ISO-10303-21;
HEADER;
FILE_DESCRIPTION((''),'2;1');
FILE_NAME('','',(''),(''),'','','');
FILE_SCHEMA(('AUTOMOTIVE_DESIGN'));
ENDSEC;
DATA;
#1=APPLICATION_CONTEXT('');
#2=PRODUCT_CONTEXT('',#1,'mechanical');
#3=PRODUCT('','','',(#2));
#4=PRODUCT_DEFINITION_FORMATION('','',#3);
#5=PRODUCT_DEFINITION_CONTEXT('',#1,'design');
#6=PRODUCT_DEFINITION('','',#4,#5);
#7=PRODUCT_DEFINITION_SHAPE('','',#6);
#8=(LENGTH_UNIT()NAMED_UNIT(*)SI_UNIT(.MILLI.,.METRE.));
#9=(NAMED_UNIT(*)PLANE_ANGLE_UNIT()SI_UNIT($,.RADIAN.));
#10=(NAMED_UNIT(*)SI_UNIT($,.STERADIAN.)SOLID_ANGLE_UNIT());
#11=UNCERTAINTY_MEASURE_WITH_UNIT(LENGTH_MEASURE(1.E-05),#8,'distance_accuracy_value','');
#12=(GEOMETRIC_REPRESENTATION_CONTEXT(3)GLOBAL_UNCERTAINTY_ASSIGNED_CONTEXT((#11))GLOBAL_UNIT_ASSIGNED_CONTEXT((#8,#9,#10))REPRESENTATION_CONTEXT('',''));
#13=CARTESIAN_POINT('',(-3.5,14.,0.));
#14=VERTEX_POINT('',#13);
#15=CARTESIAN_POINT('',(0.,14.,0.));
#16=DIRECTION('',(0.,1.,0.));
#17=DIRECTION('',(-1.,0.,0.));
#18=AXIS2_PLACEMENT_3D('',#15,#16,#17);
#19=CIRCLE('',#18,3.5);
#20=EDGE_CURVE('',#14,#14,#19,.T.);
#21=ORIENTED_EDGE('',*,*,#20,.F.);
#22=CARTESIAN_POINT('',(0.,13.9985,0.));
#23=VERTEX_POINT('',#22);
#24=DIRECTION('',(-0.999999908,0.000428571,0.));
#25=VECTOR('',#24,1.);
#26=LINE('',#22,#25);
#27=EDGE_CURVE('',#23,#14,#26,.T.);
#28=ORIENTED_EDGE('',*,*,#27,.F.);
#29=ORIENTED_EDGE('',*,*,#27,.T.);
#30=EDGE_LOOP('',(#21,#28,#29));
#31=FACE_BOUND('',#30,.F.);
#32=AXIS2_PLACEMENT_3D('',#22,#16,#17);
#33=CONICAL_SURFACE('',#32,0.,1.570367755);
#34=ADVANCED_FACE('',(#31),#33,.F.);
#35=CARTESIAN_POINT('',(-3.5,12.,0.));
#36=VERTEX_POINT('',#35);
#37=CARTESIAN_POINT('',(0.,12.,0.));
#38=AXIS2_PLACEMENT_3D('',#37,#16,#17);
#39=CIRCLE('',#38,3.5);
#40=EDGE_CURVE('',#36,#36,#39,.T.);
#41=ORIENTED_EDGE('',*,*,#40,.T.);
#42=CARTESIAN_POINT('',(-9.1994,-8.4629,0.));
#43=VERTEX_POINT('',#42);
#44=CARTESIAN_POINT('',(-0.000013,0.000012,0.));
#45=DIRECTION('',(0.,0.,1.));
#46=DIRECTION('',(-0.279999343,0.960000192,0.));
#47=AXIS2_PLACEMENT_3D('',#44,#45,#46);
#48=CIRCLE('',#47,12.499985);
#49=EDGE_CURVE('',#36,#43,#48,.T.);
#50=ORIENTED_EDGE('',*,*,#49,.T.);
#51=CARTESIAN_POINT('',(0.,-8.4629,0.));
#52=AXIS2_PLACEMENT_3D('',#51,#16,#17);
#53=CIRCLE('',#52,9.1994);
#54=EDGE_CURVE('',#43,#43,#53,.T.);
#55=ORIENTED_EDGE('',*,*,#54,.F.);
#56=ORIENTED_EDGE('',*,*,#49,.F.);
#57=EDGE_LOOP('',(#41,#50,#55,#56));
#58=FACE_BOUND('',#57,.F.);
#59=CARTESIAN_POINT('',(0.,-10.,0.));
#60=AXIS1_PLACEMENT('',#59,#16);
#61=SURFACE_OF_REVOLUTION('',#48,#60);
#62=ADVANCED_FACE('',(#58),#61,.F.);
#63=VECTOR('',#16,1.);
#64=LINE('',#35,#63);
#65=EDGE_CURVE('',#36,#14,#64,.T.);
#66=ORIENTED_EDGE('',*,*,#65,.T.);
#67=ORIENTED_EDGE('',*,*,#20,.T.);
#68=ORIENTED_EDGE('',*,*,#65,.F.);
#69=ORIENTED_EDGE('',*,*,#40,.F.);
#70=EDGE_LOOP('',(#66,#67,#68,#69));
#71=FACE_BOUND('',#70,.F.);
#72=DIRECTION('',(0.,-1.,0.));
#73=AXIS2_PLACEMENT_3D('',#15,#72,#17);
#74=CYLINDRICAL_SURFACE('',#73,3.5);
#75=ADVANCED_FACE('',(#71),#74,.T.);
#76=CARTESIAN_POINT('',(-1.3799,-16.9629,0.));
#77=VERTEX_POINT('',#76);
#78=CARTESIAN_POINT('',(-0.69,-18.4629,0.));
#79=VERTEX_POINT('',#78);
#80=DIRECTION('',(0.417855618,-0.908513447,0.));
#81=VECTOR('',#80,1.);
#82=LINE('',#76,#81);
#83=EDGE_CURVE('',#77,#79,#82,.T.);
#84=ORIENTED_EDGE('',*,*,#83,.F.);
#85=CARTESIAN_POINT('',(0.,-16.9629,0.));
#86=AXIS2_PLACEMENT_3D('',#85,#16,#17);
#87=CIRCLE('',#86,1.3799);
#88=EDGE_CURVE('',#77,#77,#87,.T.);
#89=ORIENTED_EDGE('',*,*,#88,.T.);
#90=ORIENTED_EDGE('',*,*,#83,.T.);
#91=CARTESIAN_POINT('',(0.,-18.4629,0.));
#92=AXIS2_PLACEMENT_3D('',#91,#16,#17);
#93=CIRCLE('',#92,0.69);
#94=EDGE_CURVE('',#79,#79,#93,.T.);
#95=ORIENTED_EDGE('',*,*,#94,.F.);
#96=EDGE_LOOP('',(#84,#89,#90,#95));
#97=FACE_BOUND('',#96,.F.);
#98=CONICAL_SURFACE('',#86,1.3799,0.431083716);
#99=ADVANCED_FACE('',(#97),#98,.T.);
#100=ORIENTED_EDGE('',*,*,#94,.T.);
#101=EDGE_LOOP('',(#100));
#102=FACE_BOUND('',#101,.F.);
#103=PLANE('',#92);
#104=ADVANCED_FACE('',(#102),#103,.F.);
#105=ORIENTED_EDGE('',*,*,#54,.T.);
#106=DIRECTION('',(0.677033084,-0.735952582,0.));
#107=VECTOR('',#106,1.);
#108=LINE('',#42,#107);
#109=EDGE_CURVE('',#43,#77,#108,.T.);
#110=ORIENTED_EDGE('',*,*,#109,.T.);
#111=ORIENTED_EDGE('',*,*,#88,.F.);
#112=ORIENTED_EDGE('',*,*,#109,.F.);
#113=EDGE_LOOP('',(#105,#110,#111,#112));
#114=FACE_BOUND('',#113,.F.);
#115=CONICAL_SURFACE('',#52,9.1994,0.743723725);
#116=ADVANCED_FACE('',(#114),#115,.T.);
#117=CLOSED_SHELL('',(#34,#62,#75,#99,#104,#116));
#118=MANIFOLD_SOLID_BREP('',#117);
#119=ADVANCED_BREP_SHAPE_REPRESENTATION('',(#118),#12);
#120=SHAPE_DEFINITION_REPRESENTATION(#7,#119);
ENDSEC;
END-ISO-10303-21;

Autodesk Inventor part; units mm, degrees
ref_plane "YZ Plane" through (0, 0, 0) normal (1, 0, 0) x (0, 1, 0)
ref_plane "XZ Plane" through (0, 0, 0) normal (0, 1, 0) x (-1, 0, 0)
ref_plane "XY Plane" through (0, 0, 0) normal (0, 0, 1) x (1, 0, 0)
sketch "Esboço1" plane through (0, 0, 0) normal (0, 0, 1) x (1, 0, 0)
  circle A0 centre (0, 0) radius 12.5 construction
  line L0 (9.1994, -8.4629) -> (0, -18.4629) construction
  line L1 (-3.5, 14) -> (3.5, 13.9971) construction
  line L2 (-3.5, 14) -> (-3.5, 12) construction
  line L3 (0, 13.9985) -> (-3.5, 14)
  line L4 (-3.5, 14) -> (-3.5, 12)
  arc A1 (-3.5, 12) -> (-9.1994, -8.4629) centre (0, 0) ccw
  line L5 (0, 13.9985) -> (0, -18.4629)
  line L6 (-3.5, 13.5) -> (0, 13.5)
  line L7 (-3.5, 13) -> (0, 13)
  line L8 (-1.3799, -16.9629) -> (0, -16.9629) construction
  line L9 (-1.3799, -16.9629) -> (-1.3799, -18.4629) construction
  line L10 (-9.1994, -8.4629) -> (-1.3799, -16.9629)
  line L11 (-1.3799, -16.9629) -> (-1.3799, -18.4629) construction
  line L12 (0, -18.4629) -> (-1.3799, -18.4629) construction
  line L13 (-1.3799, -16.9629) -> (-0.69, -18.4629)
  line L14 (-0.69, -18.4629) -> (0, -18.4629)
  line L15 (0, -24.9555) -> (0, 20.4926) projected
  point P0 (-1.75, 13.5)
  point P1 (-1.75, 13)
  dimension "d0" = 25
  dimension "d4" = 7
  dimension "d5" = 2
  dimension "d6" = 32.46
  dimension "d9" = 10
  dimension "d10" = 0.5
  dimension "d11" = 1.5
revolve "Revolução1" add sketch "Esboço1" angle 360 about axis through (0, -10, 0) along (0, 1, 0)
